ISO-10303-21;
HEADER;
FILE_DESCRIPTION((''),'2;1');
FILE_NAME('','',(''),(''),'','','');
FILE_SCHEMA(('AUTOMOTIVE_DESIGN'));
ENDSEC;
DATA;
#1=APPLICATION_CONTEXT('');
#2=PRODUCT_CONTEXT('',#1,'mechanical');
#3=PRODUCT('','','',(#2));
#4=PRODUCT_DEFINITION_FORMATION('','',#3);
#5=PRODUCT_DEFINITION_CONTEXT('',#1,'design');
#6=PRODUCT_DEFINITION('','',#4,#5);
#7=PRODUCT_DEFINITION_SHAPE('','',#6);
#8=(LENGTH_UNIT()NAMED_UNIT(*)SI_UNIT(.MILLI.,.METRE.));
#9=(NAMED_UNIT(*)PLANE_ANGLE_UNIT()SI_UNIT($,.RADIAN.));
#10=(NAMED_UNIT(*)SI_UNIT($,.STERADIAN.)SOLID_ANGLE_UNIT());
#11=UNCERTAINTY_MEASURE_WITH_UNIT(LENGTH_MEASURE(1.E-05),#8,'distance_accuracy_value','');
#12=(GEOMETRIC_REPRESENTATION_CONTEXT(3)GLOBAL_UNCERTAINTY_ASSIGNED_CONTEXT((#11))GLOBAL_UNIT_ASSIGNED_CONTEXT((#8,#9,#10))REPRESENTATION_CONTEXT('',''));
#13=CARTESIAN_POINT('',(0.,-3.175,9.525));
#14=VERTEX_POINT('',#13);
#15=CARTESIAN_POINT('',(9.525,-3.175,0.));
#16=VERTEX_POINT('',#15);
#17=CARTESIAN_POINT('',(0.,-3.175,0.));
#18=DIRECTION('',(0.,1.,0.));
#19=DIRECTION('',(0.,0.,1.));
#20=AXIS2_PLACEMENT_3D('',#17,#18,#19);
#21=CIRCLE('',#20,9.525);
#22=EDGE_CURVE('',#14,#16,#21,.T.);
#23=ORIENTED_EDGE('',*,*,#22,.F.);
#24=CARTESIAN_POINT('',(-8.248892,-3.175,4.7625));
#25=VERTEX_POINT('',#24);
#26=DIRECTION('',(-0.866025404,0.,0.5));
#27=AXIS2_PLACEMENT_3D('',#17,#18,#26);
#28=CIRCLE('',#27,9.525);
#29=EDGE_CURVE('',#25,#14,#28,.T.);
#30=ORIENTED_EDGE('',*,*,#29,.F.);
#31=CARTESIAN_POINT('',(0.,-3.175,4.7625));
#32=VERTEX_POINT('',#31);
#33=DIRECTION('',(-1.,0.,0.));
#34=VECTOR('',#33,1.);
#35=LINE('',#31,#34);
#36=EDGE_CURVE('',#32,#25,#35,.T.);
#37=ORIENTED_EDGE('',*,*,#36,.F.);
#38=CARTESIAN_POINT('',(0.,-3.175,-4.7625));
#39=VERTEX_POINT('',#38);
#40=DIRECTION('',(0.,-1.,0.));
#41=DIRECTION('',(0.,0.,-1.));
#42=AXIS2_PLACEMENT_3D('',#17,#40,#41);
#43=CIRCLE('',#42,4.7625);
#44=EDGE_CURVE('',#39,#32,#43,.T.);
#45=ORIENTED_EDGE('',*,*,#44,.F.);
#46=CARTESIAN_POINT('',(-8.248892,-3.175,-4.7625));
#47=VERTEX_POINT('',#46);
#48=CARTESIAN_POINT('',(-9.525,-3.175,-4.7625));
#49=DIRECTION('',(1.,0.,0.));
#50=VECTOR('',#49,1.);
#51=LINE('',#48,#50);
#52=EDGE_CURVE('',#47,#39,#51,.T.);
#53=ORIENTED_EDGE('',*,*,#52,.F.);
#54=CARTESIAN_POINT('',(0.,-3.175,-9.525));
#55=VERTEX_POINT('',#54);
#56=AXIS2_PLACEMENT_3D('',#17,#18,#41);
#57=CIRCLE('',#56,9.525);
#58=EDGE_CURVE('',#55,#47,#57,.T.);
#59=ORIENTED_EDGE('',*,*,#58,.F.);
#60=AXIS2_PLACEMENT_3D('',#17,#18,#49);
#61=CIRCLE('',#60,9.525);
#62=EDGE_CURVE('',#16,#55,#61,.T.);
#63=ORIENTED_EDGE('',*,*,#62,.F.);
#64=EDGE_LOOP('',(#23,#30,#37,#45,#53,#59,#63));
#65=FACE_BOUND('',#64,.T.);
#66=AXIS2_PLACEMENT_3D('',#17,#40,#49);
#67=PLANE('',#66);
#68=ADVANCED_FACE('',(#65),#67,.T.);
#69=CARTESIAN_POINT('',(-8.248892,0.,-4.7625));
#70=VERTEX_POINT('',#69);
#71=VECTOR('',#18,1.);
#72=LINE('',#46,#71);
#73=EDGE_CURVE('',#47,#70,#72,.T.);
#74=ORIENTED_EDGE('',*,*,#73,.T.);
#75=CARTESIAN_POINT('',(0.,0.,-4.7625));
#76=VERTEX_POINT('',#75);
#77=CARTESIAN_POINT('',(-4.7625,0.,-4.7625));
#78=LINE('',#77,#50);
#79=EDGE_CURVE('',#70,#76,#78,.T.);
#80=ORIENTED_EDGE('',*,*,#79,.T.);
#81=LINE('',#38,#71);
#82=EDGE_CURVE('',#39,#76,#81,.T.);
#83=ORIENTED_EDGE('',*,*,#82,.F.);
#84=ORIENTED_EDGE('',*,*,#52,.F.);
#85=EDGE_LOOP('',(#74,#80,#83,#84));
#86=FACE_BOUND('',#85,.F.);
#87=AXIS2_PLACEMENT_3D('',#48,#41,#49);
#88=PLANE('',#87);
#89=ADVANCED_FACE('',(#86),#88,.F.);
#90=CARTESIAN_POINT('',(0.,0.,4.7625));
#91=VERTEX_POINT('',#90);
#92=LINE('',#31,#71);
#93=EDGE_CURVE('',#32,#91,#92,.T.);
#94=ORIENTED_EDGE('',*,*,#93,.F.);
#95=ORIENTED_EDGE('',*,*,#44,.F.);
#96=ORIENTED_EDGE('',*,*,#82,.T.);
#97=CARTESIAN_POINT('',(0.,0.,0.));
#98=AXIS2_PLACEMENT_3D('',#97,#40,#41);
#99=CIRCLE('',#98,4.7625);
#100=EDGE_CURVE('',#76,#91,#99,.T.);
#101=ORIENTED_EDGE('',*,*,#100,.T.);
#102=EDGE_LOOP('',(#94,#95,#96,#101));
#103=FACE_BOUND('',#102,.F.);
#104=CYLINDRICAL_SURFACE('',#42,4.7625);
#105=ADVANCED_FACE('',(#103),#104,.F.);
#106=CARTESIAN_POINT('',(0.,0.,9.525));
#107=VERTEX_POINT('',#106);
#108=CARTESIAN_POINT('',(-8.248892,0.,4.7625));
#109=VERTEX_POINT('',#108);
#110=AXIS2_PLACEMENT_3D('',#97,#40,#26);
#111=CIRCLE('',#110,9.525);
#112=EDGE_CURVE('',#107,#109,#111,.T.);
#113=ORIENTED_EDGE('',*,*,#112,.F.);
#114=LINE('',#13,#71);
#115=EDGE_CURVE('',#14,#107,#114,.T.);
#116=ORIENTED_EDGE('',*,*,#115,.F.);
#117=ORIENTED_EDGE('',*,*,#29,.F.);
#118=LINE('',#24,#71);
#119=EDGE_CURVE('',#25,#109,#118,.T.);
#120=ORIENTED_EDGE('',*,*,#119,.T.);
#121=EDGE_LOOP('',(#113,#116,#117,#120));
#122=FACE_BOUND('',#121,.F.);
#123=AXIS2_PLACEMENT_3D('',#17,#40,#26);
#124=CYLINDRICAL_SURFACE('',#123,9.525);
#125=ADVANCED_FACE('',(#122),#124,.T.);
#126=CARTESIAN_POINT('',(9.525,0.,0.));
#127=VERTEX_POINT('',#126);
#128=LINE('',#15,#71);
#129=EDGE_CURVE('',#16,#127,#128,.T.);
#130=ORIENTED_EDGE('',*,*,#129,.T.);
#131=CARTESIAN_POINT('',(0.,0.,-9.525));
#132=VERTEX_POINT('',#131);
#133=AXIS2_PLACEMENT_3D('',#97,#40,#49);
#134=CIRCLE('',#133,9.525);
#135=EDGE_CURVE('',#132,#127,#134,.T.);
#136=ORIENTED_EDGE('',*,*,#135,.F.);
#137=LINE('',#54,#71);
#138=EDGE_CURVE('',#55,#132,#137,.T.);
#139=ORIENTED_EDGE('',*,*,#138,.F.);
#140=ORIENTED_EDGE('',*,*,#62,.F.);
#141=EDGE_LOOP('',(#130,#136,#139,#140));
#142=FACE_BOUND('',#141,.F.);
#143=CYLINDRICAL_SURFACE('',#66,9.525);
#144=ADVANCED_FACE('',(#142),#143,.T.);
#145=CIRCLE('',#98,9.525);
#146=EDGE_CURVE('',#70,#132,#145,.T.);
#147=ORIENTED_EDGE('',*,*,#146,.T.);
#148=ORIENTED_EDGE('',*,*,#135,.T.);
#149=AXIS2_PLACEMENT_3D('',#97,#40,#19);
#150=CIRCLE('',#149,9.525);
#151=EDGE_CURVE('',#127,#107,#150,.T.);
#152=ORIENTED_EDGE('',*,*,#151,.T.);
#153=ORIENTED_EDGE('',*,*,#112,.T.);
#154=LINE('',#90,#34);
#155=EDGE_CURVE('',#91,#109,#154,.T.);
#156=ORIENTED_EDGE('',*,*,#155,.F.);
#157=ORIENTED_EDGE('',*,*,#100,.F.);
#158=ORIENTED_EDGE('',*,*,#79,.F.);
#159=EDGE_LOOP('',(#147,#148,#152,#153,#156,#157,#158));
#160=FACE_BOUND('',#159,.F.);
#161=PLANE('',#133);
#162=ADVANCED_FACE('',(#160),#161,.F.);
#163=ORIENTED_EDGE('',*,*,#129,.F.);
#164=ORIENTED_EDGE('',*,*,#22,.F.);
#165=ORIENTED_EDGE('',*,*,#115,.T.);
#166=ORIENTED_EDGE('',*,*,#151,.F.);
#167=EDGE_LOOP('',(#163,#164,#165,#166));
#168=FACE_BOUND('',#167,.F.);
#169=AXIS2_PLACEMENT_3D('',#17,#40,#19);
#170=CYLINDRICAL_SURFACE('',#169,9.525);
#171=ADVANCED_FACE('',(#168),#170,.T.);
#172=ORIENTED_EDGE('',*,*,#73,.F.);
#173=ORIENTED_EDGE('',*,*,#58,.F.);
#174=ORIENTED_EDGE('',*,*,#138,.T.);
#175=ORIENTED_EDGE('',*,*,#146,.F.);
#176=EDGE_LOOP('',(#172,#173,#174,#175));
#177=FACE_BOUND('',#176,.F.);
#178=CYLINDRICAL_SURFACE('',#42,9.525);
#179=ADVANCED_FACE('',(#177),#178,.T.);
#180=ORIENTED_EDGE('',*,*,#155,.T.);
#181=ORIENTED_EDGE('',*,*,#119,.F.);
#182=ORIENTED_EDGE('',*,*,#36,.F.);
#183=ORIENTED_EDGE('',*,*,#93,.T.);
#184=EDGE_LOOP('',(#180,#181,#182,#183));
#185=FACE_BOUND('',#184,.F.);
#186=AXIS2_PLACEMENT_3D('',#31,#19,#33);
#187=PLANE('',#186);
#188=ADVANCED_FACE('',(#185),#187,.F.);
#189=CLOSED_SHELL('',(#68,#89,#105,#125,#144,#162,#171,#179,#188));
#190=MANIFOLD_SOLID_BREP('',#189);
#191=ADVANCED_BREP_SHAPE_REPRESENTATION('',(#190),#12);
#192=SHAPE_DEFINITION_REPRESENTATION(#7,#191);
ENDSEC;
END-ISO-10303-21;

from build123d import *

# Parameters (mm, degrees)
F0_W     = 19.05
F0_H     = 19.05
F1_DEPTH = 3.175
F3_DEPTH = 25.4
F5_DEPTH = 25.4


with BuildPart() as f1:
    # F0 (on Front) → F1 (new body)
    with BuildSketch(Plane.XZ):
        Rectangle(F0_W, F0_H)
    extrude(amount=F1_DEPTH)

    # F2 (on face) → F3 (cut)
    with BuildSketch(Plane.XZ.offset(3.175)):
        with BuildLine():
            ThreePointArc((0, -4.7625), (3.3675960454, -3.3675960454), (4.7625, 0))
            ThreePointArc((4.7625, 0), (3.3675960454, 3.3675960454), (0, 4.7625))
            ThreePointArc((0, 4.7625), (-4.7625, 0), (0, -4.7625))
        make_face()
        with BuildLine():
            ThreePointArc((0, -4.7625), (-4.7625, 0), (0, 4.7625))
            Line((0, 4.7625), (-9.525, 4.7625))
            Line((-9.525, 4.7625), (-9.525, -4.7625))
            Line((-9.525, -4.7625), (0, -4.7625))
        make_face()
    extrude(amount=-F3_DEPTH, mode=Mode.SUBTRACT)

    # F4 (on face) → F5 (cut)
    with BuildSketch(Plane.XZ.offset(3.175)):
        with BuildLine():
            ThreePointArc((-8.248891971, 4.7625), (-4.7625, 8.248891971), (0, 9.525))
            Line((0, 9.525), (-9.525, 9.525))
            Line((-9.525, 9.525), (-9.525, 4.7625))
            Line((-9.525, 4.7625), (-8.248891971, 4.7625))
        make_face()
        with BuildLine():
            ThreePointArc((0, 9.525), (6.7351920908, 6.7351920908), (9.525, 0))
            Line((9.525, 0), (9.525, 9.525))
            Line((9.525, 9.525), (0, 9.525))
        make_face()
        with BuildLine():
            Line((9.525, -9.525), (9.525, 0))
            ThreePointArc((9.525, 0), (6.7351920908, -6.7351920908), (0, -9.525))
            Line((0, -9.525), (9.525, -9.525))
        make_face()
        with BuildLine():
            Line((-9.525, -9.525), (0, -9.525))
            ThreePointArc((0, -9.525), (-4.7625, -8.248891971), (-8.248891971, -4.7625))
            Line((-8.248891971, -4.7625), (-9.525, -4.7625))
            Line((-9.525, -4.7625), (-9.525, -9.525))
        make_face()
    extrude(amount=-F5_DEPTH, mode=Mode.SUBTRACT)


solid = f1.part
